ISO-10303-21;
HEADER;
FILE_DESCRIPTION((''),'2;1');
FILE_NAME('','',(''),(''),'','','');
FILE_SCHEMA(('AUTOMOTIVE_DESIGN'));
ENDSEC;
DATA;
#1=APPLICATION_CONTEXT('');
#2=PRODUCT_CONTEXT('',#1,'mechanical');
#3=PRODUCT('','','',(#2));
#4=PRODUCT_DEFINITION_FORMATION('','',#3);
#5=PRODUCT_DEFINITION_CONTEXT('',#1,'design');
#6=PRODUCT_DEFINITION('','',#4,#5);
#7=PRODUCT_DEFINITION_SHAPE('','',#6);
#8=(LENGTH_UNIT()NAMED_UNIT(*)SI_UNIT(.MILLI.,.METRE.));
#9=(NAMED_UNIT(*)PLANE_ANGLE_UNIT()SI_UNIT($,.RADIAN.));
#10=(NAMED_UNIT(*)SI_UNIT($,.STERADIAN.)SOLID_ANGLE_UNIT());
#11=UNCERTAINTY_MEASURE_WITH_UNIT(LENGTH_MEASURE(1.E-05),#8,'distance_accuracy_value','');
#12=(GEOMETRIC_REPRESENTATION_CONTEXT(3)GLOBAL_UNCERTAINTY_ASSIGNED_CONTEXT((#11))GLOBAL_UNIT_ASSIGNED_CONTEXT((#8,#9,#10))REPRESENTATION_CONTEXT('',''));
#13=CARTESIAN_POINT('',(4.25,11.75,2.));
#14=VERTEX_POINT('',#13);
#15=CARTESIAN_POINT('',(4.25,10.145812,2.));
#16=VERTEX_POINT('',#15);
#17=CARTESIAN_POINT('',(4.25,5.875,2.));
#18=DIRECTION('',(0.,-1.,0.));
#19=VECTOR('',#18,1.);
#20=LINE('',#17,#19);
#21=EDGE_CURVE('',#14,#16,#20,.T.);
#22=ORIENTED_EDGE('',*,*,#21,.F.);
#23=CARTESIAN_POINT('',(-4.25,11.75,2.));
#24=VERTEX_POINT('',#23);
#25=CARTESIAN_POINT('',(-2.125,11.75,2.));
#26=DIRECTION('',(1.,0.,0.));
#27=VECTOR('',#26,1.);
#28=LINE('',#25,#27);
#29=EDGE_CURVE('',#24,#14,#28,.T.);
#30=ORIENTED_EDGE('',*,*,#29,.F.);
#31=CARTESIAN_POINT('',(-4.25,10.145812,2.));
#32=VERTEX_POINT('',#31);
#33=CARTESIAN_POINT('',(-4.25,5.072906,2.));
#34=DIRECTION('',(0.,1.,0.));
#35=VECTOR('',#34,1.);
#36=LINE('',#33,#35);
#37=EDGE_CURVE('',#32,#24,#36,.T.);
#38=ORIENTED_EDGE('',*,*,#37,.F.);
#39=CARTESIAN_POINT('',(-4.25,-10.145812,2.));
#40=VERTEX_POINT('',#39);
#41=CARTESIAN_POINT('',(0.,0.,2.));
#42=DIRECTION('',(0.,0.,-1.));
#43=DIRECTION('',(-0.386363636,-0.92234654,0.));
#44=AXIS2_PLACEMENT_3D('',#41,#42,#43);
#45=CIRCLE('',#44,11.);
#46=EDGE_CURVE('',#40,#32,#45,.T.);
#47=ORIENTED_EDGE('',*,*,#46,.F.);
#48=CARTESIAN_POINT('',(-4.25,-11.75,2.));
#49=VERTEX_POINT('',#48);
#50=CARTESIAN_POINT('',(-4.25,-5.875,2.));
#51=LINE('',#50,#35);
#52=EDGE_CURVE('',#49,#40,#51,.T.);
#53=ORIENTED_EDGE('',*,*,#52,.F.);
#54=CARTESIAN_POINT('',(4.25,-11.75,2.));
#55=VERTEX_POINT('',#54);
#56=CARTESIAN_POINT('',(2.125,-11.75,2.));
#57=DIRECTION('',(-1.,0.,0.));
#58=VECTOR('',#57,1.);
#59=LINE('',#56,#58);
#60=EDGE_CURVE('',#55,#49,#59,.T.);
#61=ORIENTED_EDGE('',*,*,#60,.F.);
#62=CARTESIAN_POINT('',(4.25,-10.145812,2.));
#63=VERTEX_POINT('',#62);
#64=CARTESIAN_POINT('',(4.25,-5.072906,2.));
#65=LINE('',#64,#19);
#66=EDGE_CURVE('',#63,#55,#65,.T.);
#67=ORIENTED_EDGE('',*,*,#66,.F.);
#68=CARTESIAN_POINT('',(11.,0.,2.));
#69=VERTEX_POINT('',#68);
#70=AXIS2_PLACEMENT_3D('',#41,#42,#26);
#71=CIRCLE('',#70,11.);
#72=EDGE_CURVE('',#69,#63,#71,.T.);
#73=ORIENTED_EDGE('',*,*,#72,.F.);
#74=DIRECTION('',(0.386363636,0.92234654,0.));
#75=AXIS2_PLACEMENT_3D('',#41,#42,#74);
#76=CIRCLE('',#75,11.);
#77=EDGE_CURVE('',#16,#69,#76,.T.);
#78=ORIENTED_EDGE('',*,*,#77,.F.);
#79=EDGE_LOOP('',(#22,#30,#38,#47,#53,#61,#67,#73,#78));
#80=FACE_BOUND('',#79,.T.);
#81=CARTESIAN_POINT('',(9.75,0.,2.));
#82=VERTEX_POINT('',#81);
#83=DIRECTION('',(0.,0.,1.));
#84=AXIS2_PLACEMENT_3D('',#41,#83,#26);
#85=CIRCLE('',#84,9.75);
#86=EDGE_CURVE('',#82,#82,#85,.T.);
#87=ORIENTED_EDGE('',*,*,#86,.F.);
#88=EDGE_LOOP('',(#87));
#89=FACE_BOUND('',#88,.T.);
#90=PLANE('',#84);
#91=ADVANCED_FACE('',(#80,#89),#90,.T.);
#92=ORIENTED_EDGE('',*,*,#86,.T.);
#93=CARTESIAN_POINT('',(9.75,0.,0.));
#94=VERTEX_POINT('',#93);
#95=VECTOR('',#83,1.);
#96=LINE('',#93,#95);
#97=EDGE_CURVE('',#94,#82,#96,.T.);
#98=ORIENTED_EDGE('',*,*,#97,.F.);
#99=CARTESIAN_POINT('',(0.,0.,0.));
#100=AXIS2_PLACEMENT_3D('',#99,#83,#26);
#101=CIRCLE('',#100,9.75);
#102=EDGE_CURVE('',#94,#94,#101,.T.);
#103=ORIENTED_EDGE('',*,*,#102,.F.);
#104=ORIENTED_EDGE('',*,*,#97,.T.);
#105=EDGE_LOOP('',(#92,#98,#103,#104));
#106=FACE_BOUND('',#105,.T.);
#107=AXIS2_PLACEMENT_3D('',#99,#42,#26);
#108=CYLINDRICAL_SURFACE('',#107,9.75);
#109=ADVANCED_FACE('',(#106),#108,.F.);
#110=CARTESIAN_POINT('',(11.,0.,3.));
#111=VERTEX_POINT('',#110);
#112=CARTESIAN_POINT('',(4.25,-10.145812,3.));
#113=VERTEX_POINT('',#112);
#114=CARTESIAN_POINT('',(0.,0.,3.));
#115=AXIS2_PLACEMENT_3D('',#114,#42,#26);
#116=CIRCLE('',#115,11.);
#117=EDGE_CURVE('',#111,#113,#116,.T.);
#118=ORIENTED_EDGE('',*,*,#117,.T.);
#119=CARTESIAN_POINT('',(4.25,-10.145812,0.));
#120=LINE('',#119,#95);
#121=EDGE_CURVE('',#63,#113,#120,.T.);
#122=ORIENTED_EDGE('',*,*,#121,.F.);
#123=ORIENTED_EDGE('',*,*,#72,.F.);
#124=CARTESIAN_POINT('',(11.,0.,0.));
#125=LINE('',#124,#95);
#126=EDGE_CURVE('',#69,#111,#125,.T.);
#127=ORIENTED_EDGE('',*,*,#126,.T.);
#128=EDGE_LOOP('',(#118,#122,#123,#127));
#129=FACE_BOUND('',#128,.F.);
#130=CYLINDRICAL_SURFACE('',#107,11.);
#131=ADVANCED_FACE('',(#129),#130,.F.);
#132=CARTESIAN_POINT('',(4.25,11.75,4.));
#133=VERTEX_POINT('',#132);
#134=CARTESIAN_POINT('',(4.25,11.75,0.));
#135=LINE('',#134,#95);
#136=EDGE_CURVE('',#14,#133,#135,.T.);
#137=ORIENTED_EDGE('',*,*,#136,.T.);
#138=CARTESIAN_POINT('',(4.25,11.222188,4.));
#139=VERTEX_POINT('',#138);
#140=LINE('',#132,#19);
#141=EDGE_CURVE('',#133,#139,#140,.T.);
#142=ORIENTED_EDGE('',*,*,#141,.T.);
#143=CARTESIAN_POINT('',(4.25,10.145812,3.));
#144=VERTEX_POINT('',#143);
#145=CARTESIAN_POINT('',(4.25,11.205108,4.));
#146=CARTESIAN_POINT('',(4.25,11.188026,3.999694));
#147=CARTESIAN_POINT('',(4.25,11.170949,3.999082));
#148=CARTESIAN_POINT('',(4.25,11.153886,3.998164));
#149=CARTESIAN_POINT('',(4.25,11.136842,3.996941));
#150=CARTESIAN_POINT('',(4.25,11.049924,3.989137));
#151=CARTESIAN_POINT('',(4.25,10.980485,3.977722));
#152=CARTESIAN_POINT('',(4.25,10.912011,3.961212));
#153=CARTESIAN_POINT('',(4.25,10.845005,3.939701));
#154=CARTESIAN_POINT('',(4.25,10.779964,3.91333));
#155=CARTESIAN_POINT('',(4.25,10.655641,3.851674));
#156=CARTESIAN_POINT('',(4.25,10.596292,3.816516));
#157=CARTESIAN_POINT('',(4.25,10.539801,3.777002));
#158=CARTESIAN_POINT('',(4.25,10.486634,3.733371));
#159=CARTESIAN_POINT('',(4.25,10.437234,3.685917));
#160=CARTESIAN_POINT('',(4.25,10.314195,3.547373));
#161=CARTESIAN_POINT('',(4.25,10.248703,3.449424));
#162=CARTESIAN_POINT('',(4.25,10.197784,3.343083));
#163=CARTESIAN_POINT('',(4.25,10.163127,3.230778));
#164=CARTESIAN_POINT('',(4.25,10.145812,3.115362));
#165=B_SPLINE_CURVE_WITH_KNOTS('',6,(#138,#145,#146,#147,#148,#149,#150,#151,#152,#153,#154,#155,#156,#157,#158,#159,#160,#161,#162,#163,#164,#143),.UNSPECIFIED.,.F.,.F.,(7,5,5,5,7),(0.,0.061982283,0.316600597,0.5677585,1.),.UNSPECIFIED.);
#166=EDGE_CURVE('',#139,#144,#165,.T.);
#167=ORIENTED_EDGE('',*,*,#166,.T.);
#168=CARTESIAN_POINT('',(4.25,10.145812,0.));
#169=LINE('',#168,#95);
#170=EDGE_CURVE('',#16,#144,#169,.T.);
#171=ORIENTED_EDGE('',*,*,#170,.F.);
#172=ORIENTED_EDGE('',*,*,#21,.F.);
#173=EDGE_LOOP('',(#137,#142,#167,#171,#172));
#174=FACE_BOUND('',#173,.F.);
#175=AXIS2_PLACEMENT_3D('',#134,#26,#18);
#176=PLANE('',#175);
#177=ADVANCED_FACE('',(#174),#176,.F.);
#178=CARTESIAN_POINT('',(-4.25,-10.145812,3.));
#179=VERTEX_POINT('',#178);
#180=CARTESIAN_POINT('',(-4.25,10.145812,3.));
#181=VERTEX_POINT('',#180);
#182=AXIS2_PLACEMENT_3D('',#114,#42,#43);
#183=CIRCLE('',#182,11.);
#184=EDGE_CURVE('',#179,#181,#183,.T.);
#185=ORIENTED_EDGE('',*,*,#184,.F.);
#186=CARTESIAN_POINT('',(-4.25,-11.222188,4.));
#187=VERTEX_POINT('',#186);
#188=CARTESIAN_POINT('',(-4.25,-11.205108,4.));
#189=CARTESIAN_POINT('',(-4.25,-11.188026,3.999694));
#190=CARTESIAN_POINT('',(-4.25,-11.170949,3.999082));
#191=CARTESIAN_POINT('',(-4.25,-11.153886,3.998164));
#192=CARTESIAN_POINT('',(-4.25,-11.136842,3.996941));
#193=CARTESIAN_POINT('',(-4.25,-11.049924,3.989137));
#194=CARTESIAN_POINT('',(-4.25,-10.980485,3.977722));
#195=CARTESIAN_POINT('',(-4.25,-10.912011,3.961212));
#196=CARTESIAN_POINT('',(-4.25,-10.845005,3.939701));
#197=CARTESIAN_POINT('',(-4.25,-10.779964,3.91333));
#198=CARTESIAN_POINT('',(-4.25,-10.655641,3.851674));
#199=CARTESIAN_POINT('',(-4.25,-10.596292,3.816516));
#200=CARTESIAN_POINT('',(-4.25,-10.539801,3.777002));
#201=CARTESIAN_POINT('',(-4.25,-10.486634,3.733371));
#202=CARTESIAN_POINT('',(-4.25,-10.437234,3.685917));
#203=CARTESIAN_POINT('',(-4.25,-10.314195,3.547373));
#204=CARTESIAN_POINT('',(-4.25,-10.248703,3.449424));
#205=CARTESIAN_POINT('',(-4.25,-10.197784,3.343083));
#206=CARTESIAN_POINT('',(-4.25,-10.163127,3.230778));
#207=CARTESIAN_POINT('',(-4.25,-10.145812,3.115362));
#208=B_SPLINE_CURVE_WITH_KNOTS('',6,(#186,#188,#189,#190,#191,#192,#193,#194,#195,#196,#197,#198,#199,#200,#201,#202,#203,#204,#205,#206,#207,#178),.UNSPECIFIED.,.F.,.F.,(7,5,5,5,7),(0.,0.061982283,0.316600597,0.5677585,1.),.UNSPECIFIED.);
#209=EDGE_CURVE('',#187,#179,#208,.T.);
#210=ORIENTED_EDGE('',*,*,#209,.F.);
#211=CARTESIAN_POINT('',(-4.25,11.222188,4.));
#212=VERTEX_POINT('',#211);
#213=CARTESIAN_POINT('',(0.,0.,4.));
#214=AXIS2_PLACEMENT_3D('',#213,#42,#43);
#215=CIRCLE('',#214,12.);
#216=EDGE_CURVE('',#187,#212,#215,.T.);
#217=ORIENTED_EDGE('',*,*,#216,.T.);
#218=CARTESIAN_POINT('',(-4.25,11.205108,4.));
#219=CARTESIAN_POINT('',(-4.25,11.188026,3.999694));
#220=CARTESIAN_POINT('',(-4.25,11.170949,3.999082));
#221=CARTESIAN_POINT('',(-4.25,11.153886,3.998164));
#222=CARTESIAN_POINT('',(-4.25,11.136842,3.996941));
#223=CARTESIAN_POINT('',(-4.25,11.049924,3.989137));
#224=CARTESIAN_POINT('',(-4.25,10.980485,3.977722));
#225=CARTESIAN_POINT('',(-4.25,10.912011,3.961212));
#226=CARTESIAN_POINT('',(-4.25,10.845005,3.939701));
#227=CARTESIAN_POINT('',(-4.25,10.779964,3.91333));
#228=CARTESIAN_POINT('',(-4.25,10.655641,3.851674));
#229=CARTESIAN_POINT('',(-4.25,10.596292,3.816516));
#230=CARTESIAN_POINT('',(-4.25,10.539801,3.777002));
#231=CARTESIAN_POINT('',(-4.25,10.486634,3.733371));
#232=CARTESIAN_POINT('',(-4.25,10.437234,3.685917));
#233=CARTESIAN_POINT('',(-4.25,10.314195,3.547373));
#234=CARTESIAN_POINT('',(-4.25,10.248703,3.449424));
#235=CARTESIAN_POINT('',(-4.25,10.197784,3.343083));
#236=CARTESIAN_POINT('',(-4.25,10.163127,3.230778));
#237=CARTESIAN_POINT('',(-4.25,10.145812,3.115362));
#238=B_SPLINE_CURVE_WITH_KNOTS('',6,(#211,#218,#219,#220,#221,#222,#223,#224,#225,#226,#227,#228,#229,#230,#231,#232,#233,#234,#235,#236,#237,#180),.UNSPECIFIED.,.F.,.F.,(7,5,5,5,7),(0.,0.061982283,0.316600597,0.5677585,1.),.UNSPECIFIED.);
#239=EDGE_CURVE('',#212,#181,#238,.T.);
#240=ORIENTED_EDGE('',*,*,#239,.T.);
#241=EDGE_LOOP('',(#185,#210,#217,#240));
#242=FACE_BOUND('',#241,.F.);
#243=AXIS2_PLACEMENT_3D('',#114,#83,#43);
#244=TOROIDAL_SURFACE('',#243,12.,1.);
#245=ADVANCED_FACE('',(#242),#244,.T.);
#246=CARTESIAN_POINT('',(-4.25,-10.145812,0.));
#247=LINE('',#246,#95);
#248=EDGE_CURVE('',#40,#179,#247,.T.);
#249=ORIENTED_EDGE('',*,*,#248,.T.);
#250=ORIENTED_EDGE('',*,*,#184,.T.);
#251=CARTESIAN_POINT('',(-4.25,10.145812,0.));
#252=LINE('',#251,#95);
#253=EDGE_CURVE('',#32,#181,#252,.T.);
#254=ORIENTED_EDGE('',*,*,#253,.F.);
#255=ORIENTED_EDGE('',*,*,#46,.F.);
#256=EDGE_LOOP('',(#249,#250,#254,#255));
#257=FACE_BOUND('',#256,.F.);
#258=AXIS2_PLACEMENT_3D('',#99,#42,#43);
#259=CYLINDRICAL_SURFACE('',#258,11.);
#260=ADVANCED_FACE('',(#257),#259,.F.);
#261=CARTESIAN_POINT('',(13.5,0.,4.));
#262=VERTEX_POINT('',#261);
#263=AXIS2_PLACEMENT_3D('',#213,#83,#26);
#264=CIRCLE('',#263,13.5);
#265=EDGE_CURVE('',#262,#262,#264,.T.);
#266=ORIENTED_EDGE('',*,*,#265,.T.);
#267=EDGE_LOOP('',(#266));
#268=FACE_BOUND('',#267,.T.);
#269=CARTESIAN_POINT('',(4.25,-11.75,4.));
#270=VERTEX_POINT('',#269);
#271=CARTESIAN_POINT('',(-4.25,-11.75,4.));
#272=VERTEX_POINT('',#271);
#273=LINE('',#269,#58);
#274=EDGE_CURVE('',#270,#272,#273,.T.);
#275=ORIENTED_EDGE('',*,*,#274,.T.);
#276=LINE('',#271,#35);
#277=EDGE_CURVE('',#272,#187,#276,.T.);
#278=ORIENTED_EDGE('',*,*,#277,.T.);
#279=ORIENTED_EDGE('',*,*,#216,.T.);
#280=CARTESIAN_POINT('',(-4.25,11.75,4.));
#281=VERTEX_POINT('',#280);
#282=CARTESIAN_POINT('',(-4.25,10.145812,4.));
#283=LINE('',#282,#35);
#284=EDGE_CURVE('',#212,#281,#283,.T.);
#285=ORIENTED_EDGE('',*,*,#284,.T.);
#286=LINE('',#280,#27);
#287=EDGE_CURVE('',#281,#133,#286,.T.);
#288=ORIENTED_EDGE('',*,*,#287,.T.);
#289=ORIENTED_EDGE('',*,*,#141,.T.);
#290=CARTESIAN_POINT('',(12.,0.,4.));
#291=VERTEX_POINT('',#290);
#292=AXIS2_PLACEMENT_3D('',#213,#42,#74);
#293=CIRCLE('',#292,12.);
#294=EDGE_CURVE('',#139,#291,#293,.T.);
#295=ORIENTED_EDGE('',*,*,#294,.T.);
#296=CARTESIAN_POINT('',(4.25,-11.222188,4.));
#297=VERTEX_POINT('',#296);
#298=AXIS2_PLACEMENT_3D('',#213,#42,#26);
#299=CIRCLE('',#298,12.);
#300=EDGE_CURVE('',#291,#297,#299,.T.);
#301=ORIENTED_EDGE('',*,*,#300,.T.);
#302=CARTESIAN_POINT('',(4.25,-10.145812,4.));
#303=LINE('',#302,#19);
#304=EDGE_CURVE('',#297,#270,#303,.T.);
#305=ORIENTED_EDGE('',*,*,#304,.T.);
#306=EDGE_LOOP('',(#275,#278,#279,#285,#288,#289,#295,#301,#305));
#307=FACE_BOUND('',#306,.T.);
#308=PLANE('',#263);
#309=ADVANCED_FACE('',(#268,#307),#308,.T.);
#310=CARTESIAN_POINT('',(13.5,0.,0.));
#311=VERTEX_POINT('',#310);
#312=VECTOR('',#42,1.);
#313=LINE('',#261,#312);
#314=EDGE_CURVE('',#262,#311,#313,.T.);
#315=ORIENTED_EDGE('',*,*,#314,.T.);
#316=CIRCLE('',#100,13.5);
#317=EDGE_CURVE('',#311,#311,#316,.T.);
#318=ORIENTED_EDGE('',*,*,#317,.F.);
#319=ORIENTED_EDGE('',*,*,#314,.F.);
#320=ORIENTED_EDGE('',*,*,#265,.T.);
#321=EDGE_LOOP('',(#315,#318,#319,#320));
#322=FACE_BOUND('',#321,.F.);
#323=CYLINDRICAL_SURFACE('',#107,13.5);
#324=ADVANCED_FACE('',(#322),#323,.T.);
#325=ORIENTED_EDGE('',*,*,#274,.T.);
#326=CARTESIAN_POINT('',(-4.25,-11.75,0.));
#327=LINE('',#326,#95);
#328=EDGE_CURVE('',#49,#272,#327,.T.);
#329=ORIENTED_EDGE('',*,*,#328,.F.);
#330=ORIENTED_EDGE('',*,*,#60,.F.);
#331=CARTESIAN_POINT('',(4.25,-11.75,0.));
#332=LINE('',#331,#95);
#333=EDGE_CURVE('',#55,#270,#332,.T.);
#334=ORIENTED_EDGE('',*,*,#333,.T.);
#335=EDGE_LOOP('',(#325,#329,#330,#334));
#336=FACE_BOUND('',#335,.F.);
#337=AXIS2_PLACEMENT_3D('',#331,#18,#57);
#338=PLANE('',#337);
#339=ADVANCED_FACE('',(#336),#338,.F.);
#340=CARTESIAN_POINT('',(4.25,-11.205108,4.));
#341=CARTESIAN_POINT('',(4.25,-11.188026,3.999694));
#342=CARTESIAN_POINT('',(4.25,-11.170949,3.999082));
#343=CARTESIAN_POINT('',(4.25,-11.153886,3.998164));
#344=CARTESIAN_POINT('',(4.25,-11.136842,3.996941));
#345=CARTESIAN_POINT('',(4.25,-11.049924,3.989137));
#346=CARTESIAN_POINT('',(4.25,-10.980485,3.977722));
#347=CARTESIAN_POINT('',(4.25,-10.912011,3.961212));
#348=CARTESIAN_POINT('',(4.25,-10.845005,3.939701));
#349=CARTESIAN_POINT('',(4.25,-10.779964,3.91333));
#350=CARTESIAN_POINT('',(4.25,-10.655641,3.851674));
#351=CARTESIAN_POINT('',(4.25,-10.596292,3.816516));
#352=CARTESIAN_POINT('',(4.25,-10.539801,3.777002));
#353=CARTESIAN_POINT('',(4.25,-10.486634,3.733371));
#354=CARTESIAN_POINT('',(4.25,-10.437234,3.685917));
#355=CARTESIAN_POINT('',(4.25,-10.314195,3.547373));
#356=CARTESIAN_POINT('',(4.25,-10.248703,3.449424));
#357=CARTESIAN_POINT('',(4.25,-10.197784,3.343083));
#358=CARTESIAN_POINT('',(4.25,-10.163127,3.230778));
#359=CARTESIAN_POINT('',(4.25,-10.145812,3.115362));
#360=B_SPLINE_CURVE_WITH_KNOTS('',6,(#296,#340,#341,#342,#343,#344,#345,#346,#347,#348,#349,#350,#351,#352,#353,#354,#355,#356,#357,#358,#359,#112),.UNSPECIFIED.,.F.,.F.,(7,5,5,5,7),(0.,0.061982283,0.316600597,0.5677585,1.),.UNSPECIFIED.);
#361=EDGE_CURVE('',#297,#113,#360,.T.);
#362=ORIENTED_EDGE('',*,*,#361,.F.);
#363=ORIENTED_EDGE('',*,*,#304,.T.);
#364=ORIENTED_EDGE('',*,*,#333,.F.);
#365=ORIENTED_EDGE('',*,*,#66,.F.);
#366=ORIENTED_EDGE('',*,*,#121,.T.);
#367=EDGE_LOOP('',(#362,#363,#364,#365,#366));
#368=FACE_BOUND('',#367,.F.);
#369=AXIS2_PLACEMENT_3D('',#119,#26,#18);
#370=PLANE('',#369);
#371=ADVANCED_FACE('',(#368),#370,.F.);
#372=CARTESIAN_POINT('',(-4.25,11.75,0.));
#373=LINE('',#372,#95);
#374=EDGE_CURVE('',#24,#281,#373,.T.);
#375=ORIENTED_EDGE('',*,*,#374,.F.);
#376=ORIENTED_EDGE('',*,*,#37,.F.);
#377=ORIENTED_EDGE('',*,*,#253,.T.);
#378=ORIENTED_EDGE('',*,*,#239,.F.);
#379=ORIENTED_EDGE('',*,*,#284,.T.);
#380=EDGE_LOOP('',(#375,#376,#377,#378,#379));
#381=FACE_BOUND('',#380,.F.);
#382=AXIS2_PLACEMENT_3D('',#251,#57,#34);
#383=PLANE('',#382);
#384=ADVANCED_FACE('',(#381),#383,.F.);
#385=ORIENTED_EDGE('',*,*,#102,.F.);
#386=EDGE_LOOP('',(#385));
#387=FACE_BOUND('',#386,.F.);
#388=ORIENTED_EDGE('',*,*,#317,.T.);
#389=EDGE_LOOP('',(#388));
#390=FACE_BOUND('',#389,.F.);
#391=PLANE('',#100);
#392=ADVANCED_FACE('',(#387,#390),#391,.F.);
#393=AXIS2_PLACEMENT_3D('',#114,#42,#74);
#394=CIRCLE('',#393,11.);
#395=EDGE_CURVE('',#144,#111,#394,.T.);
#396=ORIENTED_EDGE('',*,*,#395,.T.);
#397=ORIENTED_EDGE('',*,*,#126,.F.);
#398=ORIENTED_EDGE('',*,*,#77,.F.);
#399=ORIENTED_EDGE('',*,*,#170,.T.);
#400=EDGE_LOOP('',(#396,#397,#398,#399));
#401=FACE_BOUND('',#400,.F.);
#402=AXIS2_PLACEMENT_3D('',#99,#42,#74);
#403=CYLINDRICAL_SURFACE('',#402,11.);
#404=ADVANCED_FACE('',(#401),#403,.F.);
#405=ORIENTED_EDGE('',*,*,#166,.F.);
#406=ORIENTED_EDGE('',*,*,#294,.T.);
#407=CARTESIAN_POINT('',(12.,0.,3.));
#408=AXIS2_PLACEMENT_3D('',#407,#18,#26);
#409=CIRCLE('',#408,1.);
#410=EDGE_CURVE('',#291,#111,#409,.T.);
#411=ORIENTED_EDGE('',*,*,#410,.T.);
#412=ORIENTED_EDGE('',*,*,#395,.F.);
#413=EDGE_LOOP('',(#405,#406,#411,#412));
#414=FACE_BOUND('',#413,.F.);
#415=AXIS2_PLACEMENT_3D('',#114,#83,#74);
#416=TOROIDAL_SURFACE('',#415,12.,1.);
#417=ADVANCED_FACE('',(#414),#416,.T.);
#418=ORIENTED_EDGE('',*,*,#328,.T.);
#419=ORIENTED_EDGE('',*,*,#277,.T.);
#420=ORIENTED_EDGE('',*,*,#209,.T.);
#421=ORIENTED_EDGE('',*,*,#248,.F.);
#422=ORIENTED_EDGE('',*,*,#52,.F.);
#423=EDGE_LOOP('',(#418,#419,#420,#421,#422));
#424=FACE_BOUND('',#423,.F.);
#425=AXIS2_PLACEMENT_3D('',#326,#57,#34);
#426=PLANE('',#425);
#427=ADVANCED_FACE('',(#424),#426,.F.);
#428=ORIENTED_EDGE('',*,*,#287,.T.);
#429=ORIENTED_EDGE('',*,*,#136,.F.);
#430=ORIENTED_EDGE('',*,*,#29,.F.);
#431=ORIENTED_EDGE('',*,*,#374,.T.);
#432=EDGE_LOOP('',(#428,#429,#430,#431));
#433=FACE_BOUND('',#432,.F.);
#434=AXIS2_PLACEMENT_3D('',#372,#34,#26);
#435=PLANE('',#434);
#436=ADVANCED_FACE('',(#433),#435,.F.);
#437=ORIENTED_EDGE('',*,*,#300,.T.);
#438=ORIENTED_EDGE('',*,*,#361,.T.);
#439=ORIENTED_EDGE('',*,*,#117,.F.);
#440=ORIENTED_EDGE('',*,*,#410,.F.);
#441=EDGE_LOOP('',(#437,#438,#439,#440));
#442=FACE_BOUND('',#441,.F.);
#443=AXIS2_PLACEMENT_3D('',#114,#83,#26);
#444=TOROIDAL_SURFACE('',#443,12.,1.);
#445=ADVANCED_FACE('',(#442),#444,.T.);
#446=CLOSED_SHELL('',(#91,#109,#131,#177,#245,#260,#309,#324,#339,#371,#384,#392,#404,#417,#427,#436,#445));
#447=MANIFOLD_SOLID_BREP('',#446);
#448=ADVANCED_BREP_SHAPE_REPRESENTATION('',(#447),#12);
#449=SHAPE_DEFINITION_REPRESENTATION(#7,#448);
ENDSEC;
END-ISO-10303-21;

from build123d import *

# Parameters (mm, degrees)
F0_R     = 13.5
F1_DEPTH = 4
F2_R     = 13.5
F2_R_2   = 9.75
F3_DEPTH = 2
F4_R     = 1


with BuildPart() as f1:
    # F0 (on Top) → F1 (new body)
    with BuildSketch(Plane.XY):
        Circle(F0_R)
        with BuildLine():
            ThreePointArc((4.25, 10.1458119439), (9.158329542, 6.0930288035), (11, 0))
            ThreePointArc((11, 0), (9.158329542, -6.0930288035), (4.25, -10.1458119439))
            Line((4.25, -10.1458119439), (4.25, -11.75))
            Line((4.25, -11.75), (-4.25, -11.75))
            Line((-4.25, -11.75), (-4.25, -10.1458119439))
            ThreePointArc((-4.25, -10.1458119439), (-11, 0), (-4.25, 10.1458119439))
            Line((-4.25, 10.1458119439), (-4.25, 11.75))
            Line((-4.25, 11.75), (4.25, 11.75))
            Line((4.25, 11.75), (4.25, 10.1458119439))
        make_face(mode=Mode.SUBTRACT)
    extrude(amount=F1_DEPTH)

    # F2 (on Top) → F3 (join)
    with BuildSketch(Plane.XY):
        Circle(F2_R)
        Circle(F2_R_2, mode=Mode.SUBTRACT)
    extrude(amount=F3_DEPTH)

    # F4
    f4_edges = [f1.edges().sort_by_distance(p)[0] for p in [
        (11, 0, 4),
        (-11, 0, 4),
    ]]
    fillet(f4_edges, radius=F4_R)


solid = f1.part
